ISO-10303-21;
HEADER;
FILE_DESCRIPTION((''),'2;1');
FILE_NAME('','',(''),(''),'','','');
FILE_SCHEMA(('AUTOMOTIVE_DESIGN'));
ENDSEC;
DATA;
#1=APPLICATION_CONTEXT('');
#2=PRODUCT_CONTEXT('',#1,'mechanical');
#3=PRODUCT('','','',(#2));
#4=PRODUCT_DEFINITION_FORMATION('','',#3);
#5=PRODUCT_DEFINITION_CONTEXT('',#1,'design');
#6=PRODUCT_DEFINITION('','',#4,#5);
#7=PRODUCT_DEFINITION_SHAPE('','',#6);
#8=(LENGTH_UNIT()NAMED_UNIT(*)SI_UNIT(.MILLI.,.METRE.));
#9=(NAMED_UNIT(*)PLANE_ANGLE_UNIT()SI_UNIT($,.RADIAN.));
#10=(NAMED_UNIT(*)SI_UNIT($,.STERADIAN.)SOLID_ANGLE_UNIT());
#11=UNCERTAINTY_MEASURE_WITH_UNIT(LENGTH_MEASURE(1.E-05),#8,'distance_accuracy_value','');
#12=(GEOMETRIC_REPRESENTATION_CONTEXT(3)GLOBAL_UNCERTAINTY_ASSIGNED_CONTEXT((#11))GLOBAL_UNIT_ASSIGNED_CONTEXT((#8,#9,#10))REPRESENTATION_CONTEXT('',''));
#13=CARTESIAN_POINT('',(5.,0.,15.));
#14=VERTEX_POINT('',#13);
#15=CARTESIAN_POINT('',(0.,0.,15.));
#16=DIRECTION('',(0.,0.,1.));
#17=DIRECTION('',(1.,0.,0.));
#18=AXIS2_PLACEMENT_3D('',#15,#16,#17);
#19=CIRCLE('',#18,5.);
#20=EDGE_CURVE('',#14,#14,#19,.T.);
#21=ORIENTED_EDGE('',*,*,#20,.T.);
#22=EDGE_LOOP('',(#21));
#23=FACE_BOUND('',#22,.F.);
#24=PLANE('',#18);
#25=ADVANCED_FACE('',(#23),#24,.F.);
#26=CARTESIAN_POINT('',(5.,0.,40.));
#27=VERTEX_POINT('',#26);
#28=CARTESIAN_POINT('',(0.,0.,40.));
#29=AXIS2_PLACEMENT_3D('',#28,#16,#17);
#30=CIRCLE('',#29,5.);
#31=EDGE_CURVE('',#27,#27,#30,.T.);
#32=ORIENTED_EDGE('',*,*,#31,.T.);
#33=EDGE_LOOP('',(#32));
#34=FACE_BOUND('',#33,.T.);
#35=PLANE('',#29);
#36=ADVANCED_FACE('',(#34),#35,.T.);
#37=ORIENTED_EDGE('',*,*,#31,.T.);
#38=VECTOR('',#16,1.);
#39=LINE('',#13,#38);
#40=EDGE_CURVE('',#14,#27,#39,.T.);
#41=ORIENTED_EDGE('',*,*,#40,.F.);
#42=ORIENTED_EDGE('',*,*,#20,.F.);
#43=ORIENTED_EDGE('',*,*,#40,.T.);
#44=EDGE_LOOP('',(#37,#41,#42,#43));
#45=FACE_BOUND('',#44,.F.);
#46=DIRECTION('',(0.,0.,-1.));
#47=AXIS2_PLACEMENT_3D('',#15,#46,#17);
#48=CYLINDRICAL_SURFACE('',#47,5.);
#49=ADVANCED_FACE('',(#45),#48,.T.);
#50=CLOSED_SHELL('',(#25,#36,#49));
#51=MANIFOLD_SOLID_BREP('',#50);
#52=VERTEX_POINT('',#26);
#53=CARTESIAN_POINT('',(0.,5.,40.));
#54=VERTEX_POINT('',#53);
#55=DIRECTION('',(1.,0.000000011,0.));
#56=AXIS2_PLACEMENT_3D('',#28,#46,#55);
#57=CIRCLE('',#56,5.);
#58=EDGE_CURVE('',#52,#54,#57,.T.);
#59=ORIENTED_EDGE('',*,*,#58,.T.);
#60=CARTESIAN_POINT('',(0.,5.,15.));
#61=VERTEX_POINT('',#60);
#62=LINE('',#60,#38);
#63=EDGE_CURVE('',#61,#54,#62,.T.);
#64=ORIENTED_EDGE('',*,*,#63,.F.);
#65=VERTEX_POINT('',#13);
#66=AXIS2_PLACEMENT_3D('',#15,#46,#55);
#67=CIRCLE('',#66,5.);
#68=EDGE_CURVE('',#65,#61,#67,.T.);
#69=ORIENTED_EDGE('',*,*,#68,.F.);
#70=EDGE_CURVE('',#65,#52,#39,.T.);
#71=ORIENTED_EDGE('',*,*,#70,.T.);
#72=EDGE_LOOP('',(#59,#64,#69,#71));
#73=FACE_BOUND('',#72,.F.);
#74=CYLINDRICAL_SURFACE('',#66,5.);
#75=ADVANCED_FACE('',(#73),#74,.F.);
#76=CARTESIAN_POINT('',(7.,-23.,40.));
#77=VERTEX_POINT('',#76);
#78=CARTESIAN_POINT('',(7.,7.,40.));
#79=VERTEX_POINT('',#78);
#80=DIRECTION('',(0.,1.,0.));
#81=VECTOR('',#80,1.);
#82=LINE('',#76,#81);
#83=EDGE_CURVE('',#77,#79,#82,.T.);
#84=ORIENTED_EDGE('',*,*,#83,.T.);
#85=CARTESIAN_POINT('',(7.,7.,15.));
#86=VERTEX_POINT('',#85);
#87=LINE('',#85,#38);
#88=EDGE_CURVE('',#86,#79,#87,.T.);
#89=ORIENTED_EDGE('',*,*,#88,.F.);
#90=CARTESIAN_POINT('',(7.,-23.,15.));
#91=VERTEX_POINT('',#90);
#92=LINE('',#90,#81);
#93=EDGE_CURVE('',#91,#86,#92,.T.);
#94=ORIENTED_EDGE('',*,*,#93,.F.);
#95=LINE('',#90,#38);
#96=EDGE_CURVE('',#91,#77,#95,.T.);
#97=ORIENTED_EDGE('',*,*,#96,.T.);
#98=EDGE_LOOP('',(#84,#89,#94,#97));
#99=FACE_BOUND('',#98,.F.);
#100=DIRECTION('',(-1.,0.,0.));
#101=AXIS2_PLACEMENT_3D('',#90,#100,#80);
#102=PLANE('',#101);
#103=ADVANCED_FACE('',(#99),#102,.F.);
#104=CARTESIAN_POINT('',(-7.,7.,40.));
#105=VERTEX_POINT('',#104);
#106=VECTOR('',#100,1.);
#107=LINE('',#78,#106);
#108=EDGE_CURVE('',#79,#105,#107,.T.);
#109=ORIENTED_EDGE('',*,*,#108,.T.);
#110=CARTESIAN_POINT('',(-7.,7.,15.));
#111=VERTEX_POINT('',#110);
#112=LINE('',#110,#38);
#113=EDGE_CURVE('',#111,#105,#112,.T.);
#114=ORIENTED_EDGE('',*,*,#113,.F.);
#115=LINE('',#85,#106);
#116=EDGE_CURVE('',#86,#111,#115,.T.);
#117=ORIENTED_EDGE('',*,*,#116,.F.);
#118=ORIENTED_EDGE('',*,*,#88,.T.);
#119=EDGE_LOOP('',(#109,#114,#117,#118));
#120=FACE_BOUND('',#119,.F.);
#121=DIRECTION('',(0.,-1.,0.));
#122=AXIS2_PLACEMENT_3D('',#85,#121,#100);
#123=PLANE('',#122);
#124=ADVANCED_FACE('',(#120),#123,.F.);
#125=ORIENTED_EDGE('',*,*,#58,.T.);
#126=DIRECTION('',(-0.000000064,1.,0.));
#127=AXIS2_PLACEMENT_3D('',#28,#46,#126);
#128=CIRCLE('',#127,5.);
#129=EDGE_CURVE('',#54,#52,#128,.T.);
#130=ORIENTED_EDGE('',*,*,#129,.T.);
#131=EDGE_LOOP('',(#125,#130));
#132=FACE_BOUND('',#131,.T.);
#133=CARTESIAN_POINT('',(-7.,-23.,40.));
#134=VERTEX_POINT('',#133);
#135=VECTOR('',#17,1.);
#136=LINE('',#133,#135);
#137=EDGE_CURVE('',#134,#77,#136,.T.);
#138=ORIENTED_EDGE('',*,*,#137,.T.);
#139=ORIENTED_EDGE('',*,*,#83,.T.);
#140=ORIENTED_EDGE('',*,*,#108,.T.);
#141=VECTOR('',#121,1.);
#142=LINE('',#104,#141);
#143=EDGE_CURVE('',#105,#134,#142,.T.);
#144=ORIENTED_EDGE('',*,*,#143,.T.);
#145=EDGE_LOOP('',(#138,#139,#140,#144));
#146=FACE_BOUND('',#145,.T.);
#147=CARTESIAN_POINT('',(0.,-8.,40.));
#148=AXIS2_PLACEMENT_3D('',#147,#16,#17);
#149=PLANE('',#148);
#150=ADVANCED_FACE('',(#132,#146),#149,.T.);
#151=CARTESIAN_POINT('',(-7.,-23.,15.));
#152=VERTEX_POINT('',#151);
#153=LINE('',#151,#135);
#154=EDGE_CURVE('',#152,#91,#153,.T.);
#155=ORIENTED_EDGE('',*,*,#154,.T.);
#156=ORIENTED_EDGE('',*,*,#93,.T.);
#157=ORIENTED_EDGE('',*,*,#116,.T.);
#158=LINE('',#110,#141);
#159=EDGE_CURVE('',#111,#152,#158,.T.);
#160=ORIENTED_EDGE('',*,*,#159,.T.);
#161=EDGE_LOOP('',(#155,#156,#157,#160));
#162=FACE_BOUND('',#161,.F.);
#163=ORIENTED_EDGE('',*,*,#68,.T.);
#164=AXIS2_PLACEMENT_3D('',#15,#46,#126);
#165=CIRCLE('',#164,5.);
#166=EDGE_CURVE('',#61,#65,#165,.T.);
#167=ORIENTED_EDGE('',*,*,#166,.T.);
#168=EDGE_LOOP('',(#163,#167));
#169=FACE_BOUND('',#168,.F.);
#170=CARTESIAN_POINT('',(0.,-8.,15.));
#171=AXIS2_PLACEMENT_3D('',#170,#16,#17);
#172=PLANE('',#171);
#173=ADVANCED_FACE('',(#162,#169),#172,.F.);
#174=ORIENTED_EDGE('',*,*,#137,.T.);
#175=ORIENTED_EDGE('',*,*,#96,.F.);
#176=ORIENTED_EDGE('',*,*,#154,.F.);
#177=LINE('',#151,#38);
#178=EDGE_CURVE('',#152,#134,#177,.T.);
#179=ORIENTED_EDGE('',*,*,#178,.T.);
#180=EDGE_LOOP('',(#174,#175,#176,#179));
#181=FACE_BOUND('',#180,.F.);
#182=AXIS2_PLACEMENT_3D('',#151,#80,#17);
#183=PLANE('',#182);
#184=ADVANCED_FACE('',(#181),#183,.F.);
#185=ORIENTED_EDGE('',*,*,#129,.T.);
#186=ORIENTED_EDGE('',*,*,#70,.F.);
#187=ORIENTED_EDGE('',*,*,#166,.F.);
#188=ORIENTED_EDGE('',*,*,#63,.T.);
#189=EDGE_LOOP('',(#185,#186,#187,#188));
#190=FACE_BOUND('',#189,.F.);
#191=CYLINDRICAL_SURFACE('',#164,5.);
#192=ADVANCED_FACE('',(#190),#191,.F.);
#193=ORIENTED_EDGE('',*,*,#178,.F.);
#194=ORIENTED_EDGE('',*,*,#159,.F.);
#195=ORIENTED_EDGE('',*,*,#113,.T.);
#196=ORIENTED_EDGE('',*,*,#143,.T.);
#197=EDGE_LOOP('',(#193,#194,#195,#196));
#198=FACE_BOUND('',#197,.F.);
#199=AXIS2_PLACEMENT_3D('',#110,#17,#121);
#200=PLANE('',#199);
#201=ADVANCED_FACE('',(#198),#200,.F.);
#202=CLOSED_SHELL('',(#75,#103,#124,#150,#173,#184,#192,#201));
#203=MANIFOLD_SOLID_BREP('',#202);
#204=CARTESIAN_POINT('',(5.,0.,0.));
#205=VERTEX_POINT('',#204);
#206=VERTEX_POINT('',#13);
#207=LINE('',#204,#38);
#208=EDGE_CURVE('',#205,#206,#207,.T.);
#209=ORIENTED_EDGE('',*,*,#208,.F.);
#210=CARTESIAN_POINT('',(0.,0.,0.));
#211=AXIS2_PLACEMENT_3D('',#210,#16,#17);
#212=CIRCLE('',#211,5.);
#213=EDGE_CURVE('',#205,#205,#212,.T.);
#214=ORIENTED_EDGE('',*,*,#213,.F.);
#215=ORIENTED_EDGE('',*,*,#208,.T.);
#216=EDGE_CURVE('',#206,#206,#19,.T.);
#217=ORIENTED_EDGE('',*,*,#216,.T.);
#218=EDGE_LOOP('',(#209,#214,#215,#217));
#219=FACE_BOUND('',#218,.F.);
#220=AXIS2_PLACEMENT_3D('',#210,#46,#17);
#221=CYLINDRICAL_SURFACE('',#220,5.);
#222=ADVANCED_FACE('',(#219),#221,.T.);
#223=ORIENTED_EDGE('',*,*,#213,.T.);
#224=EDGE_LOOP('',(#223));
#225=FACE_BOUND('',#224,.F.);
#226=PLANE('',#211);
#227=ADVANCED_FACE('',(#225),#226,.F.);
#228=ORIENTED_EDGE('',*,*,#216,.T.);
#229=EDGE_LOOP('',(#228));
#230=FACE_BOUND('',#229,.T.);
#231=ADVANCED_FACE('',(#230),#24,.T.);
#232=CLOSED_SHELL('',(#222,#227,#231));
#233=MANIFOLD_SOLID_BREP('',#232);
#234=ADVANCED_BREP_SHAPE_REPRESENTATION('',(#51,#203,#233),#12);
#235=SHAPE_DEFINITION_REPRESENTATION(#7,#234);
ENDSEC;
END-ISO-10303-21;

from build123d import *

# Parameters (mm, degrees)
F0_R     = 5
F1_DEPTH = 15
F4_DEPTH = 25
F2_R     = 5
F5_DEPTH = 25


with BuildPart() as f1:
    # F0 (on Top) → F1 (new body)
    with BuildSketch(Plane.XY):
        Circle(F0_R)
    extrude(amount=F1_DEPTH)


with BuildPart() as f4:
    # F3 (on face) → F4 (new body)
    with BuildSketch(Plane.XY.offset(15)):
        Polygon((7, 7), (0, 7), (-7, 7), (-7, -23), (7, -23), align=None)
        with BuildLine():
            ThreePointArc((5, 0), (-3.535534, -3.535534), (0, 5))
            ThreePointArc((0, 5), (3.535534, 3.535534), (5, 0))
        make_face(mode=Mode.SUBTRACT)
    extrude(amount=F4_DEPTH)


with BuildPart() as f5:
    # F2 (on face) → F5 (new body)
    with BuildSketch(Plane.XY.offset(15)):
        Circle(F2_R)
    extrude(amount=F5_DEPTH)


solid = Compound([f1.part, f4.part, f5.part])
